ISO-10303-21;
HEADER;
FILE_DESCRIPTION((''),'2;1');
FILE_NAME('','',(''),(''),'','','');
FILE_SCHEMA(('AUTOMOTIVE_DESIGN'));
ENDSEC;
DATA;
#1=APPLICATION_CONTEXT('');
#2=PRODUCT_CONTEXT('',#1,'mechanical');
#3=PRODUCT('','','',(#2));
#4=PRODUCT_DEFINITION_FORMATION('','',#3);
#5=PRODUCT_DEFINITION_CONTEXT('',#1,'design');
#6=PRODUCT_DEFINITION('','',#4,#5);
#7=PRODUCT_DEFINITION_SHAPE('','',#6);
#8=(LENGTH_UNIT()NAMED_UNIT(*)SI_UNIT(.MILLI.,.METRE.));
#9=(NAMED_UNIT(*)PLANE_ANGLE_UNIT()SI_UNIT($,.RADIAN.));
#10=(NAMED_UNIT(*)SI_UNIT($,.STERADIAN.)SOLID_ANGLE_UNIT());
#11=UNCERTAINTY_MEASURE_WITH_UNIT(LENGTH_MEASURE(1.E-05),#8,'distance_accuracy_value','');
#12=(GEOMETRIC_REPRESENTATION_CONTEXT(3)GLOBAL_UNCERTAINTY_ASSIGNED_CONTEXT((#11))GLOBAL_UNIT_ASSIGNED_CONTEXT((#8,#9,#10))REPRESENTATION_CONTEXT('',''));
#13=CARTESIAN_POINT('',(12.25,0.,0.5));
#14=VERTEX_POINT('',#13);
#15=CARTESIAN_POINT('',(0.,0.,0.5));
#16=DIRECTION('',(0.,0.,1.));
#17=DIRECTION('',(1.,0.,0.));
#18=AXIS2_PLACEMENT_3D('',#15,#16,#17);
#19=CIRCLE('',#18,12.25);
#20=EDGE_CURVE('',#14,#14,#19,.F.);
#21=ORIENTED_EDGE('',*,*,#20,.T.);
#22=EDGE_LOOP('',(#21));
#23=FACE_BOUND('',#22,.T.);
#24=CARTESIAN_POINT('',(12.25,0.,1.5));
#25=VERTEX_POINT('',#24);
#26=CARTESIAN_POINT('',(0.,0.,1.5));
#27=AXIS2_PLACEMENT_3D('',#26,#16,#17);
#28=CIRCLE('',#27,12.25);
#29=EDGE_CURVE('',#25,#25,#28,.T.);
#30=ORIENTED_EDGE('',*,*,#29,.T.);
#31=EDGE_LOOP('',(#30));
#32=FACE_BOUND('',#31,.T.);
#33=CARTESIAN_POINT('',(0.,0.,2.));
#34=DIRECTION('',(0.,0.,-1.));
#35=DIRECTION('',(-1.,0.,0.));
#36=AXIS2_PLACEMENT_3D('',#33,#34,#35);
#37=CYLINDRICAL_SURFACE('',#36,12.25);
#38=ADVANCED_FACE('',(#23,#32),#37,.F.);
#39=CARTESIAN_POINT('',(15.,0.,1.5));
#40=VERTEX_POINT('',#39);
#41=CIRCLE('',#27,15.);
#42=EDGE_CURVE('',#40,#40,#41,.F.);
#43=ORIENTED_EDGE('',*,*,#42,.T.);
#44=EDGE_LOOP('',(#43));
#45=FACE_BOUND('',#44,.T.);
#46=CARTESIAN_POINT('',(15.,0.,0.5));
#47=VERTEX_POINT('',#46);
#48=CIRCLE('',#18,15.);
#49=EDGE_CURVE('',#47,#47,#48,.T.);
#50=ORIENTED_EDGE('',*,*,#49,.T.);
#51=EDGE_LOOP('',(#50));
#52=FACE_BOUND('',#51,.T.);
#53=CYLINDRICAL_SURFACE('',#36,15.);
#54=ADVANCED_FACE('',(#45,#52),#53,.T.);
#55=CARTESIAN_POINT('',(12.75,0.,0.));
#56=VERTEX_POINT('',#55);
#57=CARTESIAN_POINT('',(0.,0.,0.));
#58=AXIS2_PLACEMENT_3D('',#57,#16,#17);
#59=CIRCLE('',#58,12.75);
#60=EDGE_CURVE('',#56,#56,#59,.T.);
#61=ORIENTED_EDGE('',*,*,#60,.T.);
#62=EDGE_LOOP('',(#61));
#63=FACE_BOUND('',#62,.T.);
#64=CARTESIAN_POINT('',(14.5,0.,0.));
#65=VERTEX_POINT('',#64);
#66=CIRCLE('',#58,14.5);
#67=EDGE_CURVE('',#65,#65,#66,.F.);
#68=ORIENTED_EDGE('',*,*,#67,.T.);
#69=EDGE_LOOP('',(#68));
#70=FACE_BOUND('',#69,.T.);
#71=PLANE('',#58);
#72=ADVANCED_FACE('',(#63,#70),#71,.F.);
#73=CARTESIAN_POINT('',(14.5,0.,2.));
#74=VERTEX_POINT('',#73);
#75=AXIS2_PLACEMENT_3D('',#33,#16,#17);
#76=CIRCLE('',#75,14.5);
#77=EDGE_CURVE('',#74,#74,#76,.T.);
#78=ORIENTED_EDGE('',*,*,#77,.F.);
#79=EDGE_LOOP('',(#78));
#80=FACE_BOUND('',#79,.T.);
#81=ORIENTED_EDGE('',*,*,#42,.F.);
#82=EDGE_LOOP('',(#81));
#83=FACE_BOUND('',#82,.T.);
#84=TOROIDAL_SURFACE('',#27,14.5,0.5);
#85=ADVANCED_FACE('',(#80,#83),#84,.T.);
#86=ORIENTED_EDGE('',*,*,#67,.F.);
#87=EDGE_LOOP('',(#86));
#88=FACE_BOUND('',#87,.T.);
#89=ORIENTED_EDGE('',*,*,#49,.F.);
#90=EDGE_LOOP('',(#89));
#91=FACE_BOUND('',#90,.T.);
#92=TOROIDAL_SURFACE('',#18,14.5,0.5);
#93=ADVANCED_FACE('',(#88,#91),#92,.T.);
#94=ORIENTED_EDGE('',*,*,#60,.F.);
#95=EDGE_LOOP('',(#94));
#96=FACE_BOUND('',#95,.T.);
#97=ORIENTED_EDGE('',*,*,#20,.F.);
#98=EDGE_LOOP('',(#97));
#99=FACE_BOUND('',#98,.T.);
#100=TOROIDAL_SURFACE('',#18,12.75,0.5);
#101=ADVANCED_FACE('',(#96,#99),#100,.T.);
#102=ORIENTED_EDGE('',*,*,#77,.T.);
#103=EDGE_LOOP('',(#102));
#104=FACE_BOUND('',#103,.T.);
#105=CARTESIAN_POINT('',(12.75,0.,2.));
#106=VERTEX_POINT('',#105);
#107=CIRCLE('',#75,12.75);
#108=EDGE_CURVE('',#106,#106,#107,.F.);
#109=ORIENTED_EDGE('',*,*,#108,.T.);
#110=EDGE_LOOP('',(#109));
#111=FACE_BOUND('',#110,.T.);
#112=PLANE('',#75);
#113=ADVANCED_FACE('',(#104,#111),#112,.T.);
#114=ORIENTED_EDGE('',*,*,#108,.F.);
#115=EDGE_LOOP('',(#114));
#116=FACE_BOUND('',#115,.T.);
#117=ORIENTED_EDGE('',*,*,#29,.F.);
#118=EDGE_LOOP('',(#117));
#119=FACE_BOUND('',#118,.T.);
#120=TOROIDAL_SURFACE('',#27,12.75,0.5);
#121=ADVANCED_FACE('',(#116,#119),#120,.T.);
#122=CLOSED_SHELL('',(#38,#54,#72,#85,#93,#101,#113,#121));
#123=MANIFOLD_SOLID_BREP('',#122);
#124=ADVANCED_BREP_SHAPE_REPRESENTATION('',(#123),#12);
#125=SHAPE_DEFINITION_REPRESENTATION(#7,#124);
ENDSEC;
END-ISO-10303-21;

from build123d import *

# Parameters (mm, degrees)
SKETCH1_R           = 15
SKETCH1_R_2         = 12.25
BOSS_EXTRUDE1_DEPTH = 2
FILLET1_R           = 0.5
FILLET2_R           = 0.5
FILLET3_R           = 0.5


with BuildPart() as part:
    # Sketch1 → Boss-Extrude1 (new body)
    with BuildSketch(Plane.XY):
        Circle(SKETCH1_R)
        Circle(SKETCH1_R_2, mode=Mode.SUBTRACT)
    extrude(amount=BOSS_EXTRUDE1_DEPTH)

    # Fillet1
    fillet1_edges = [part.edges().sort_by_distance(p)[0] for p in [
        (-15, 0, 2),
        (-12.25, 0, 2),
    ]]
    fillet(fillet1_edges, radius=FILLET1_R)

    # Fillet2
    fillet2_edges = [part.edges().sort_by_distance(p)[0] for p in [
        (-15, 0, 0),
    ]]
    fillet(fillet2_edges, radius=FILLET2_R)

    # Fillet3
    fillet3_edges = [part.edges().sort_by_distance(p)[0] for p in [
        (-12.25, 0, 0),
    ]]
    fillet(fillet3_edges, radius=FILLET3_R)


solid = part.part
